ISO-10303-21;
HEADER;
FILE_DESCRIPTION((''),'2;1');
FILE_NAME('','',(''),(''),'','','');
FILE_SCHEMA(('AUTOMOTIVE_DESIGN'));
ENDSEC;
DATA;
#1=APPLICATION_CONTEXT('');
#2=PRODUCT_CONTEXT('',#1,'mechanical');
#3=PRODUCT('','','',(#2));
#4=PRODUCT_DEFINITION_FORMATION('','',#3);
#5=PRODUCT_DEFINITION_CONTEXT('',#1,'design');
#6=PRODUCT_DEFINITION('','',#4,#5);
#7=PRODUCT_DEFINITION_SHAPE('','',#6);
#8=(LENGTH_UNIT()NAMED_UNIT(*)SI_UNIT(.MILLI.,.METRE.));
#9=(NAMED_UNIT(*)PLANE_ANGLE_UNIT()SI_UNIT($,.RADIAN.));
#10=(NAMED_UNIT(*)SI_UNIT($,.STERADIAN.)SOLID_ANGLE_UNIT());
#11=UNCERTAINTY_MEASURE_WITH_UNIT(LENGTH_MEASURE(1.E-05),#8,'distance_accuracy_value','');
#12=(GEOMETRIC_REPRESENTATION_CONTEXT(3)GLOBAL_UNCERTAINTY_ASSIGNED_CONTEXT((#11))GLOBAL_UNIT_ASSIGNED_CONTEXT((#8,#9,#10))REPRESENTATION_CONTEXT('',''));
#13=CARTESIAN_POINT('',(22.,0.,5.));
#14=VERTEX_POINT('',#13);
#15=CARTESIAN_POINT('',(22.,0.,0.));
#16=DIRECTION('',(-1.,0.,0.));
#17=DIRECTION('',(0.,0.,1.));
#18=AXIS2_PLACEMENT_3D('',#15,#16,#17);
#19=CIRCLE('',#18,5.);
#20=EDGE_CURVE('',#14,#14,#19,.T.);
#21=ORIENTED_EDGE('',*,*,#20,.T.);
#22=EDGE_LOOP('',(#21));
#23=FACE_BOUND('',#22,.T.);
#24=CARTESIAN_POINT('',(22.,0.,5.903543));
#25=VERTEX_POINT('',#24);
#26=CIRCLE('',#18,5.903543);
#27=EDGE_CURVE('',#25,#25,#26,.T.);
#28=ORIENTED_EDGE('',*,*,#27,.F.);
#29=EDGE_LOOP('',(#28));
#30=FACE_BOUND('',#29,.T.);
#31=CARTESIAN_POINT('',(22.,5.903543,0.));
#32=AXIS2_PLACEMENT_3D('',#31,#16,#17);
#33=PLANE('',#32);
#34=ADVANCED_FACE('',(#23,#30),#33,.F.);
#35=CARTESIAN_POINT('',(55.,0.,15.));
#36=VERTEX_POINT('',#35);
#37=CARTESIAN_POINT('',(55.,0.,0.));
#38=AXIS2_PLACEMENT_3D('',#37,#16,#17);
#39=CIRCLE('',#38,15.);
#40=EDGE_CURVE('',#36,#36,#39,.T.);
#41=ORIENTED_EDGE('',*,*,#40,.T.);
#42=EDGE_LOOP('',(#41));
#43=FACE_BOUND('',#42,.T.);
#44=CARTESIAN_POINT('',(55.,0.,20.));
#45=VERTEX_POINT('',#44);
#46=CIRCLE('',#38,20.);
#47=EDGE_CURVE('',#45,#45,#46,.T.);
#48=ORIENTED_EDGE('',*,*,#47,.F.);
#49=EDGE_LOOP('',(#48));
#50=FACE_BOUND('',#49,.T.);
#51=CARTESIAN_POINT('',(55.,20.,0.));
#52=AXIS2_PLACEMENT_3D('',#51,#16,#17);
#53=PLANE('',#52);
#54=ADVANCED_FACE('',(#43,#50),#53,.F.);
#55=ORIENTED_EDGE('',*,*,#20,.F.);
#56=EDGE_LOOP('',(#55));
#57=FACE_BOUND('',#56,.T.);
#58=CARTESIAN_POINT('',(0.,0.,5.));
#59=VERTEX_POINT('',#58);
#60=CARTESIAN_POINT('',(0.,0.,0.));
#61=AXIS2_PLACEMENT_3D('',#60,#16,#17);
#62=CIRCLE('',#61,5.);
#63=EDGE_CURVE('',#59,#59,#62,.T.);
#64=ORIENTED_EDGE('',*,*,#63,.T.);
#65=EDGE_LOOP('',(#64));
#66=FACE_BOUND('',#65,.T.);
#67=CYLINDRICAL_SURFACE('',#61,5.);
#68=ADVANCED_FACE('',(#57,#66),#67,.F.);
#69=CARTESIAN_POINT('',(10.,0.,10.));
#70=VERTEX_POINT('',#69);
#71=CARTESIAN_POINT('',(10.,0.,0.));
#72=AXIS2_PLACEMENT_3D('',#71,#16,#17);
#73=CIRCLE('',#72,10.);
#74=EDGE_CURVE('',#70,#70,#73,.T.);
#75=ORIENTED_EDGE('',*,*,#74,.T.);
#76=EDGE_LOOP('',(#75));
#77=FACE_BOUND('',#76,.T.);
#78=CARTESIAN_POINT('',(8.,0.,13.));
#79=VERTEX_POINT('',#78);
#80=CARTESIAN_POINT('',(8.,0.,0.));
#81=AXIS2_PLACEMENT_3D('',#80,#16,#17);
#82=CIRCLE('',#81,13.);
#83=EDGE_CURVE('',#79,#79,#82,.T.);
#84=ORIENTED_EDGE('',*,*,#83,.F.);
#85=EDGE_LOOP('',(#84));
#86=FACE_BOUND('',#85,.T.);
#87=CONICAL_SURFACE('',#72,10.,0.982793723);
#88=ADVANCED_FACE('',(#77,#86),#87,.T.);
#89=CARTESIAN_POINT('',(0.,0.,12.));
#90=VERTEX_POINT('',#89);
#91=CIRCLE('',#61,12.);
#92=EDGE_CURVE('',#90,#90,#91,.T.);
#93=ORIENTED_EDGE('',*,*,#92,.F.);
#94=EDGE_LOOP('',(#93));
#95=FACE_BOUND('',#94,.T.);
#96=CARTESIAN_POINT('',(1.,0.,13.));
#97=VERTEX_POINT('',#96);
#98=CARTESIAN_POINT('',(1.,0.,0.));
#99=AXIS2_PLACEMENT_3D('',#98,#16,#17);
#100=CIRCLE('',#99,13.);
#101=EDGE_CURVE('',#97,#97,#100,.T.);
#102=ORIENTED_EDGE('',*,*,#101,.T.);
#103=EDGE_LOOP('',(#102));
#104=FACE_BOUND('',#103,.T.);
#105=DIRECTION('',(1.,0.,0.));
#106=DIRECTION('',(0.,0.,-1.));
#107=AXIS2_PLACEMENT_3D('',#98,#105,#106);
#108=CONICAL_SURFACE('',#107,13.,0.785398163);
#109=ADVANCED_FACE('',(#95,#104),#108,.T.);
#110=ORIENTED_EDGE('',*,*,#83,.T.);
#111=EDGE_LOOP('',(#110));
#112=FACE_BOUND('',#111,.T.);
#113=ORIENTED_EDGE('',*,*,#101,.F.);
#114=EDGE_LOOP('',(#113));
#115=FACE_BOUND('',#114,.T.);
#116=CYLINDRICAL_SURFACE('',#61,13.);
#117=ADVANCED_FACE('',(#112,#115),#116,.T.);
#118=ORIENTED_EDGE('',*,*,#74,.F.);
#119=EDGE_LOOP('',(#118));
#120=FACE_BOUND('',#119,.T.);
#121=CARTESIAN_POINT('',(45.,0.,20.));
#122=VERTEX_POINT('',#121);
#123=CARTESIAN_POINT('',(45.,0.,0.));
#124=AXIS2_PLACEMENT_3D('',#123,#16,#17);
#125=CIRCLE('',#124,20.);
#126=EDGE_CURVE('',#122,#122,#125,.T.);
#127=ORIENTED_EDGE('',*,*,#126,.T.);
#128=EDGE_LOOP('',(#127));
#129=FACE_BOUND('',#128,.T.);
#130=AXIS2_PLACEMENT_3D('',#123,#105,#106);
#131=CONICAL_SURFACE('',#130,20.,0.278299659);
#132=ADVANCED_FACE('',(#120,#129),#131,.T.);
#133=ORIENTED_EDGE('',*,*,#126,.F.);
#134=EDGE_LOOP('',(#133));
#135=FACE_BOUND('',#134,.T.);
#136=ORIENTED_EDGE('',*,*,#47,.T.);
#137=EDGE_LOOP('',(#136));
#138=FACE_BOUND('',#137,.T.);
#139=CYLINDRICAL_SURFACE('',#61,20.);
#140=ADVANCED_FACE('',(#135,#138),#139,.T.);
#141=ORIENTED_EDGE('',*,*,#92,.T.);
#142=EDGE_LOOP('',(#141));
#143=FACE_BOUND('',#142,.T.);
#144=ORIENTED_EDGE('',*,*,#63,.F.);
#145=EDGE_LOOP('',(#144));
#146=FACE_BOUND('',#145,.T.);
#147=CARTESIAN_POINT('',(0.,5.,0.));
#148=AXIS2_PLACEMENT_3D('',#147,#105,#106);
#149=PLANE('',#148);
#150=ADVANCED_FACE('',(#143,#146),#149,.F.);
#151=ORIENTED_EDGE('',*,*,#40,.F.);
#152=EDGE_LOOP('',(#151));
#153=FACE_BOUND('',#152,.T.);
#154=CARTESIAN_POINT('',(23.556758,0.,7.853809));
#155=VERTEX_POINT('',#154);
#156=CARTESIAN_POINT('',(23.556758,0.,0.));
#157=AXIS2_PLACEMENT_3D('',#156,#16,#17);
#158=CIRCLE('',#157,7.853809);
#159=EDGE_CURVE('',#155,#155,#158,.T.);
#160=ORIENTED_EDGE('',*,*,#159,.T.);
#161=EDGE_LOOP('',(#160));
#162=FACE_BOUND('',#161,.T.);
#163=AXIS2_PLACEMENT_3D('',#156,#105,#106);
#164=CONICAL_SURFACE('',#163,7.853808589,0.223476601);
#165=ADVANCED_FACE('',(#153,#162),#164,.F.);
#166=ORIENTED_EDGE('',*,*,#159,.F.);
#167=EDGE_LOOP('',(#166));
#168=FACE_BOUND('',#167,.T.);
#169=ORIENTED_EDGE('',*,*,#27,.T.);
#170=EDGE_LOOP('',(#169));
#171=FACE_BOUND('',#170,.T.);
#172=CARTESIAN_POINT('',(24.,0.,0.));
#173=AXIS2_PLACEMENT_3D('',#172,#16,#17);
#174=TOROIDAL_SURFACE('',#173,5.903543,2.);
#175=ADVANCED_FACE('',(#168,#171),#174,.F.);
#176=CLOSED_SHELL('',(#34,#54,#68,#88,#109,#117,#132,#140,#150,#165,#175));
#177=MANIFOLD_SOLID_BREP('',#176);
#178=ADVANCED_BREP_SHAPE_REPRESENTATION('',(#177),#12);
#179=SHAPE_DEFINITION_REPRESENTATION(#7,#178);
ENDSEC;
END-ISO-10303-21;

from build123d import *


with BuildPart() as part:
    # 草圖1 → 旋轉1 (revolve)
    with BuildSketch(Plane.XY):
        with BuildLine():
            Line((0, 5), (0, 12))
            Line((0, 12), (1, 13))
            Line((1, 13), (8, 13))
            Line((8, 13), (10, 10))
            Line((10, 10), (45, 20))
            Line((45, 20), (55, 20))
            Line((55, 20), (55, 15))
            Line((55, 15), (23.556757793, 7.853808589))
            ThreePointArc((23.556757793, 7.853808589), (22.436912604, 7.151243881), (22, 5.903542878))
            Line((22, 5.903542878), (22, 5))
            Line((22, 5), (0, 5))
        make_face()
    revolve(axis=Axis((0, 0, 0), (1, 0, 0)))


solid = part.part
